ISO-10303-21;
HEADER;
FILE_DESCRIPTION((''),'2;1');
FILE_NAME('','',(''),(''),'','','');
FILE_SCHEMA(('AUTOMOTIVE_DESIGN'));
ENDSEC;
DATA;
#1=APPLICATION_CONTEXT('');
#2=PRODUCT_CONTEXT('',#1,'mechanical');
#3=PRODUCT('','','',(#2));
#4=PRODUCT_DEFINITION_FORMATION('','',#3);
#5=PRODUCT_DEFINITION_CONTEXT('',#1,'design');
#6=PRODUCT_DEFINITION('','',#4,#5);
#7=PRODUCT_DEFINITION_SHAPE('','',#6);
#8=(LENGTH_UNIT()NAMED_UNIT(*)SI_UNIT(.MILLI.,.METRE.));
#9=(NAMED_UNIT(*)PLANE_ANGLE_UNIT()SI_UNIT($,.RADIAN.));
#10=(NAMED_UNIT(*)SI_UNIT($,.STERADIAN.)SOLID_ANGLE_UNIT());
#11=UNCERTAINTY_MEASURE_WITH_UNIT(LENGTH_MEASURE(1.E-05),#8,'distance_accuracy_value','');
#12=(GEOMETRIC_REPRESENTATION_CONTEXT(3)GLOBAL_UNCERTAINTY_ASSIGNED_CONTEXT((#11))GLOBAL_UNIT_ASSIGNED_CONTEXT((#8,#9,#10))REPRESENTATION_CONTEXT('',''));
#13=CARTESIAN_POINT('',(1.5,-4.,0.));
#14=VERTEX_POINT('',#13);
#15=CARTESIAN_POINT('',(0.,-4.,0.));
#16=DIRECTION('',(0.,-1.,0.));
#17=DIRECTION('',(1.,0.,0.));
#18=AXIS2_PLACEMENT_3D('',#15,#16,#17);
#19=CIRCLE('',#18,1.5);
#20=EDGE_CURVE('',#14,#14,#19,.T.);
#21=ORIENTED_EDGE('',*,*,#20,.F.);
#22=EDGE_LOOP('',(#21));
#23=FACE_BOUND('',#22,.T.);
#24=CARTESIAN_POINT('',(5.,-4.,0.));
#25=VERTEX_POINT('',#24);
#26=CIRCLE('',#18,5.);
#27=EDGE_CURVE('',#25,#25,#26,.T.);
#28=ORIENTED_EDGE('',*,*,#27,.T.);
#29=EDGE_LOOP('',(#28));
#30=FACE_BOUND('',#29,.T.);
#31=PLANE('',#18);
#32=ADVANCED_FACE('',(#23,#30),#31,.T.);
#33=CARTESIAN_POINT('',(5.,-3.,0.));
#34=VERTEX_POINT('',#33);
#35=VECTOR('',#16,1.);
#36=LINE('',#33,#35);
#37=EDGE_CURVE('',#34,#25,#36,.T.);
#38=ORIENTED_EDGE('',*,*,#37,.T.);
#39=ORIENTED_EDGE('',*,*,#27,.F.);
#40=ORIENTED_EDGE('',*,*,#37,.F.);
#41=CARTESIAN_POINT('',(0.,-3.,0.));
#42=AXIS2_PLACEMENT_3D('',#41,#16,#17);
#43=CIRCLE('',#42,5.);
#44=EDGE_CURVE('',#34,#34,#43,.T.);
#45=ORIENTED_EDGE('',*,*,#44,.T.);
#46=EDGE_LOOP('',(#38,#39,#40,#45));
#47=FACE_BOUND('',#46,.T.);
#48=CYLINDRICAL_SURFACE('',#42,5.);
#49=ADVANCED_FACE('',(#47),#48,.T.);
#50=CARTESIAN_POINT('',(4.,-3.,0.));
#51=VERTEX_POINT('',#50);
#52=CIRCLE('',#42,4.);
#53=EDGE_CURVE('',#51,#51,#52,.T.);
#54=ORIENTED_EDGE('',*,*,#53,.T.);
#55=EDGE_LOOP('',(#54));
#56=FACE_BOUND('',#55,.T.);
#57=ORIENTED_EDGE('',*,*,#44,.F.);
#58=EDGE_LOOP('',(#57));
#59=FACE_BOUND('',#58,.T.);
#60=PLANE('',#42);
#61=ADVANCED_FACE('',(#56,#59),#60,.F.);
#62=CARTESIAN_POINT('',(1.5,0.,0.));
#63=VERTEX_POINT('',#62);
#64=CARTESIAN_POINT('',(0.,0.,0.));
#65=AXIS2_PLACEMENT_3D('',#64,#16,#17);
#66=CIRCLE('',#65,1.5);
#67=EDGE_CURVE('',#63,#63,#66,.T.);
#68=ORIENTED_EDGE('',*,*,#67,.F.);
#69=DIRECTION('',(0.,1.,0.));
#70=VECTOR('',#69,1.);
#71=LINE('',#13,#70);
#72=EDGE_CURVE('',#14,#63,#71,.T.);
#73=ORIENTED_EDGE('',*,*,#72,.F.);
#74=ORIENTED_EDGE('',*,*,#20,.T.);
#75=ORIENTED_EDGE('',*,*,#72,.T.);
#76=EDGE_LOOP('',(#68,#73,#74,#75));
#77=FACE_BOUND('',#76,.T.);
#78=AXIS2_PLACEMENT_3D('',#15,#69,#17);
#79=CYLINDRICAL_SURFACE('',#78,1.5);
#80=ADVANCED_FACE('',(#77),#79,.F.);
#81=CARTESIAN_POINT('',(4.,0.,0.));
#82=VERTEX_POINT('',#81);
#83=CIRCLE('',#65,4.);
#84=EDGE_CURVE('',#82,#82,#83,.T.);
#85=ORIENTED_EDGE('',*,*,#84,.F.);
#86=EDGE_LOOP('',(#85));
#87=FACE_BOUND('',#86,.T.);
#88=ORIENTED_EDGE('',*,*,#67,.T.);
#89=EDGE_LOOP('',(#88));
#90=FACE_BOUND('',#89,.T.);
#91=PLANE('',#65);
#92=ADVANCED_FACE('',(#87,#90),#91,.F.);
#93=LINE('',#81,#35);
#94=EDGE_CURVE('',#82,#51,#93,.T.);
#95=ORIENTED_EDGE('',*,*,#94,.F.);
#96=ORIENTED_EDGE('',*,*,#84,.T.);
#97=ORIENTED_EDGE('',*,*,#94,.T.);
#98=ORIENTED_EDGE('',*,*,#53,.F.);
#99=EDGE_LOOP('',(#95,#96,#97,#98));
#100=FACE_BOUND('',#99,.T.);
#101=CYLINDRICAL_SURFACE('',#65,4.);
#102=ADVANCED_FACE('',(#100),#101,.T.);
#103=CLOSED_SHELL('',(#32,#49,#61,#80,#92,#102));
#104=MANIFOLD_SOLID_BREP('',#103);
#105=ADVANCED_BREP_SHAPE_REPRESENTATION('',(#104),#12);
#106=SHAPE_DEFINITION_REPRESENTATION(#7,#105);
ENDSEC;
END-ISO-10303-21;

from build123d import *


with BuildPart() as part:
    # 草图1 → 旋转1 (revolve)
    with BuildSketch(Plane.XY):
        Polygon((1.5, -4), (1.5, 0), (4, 0), (4, -3), (5, -3), (5, -4), align=None)
    revolve(axis=Axis((0, 0, 0), (0, -1, 0)))


solid = part.part
